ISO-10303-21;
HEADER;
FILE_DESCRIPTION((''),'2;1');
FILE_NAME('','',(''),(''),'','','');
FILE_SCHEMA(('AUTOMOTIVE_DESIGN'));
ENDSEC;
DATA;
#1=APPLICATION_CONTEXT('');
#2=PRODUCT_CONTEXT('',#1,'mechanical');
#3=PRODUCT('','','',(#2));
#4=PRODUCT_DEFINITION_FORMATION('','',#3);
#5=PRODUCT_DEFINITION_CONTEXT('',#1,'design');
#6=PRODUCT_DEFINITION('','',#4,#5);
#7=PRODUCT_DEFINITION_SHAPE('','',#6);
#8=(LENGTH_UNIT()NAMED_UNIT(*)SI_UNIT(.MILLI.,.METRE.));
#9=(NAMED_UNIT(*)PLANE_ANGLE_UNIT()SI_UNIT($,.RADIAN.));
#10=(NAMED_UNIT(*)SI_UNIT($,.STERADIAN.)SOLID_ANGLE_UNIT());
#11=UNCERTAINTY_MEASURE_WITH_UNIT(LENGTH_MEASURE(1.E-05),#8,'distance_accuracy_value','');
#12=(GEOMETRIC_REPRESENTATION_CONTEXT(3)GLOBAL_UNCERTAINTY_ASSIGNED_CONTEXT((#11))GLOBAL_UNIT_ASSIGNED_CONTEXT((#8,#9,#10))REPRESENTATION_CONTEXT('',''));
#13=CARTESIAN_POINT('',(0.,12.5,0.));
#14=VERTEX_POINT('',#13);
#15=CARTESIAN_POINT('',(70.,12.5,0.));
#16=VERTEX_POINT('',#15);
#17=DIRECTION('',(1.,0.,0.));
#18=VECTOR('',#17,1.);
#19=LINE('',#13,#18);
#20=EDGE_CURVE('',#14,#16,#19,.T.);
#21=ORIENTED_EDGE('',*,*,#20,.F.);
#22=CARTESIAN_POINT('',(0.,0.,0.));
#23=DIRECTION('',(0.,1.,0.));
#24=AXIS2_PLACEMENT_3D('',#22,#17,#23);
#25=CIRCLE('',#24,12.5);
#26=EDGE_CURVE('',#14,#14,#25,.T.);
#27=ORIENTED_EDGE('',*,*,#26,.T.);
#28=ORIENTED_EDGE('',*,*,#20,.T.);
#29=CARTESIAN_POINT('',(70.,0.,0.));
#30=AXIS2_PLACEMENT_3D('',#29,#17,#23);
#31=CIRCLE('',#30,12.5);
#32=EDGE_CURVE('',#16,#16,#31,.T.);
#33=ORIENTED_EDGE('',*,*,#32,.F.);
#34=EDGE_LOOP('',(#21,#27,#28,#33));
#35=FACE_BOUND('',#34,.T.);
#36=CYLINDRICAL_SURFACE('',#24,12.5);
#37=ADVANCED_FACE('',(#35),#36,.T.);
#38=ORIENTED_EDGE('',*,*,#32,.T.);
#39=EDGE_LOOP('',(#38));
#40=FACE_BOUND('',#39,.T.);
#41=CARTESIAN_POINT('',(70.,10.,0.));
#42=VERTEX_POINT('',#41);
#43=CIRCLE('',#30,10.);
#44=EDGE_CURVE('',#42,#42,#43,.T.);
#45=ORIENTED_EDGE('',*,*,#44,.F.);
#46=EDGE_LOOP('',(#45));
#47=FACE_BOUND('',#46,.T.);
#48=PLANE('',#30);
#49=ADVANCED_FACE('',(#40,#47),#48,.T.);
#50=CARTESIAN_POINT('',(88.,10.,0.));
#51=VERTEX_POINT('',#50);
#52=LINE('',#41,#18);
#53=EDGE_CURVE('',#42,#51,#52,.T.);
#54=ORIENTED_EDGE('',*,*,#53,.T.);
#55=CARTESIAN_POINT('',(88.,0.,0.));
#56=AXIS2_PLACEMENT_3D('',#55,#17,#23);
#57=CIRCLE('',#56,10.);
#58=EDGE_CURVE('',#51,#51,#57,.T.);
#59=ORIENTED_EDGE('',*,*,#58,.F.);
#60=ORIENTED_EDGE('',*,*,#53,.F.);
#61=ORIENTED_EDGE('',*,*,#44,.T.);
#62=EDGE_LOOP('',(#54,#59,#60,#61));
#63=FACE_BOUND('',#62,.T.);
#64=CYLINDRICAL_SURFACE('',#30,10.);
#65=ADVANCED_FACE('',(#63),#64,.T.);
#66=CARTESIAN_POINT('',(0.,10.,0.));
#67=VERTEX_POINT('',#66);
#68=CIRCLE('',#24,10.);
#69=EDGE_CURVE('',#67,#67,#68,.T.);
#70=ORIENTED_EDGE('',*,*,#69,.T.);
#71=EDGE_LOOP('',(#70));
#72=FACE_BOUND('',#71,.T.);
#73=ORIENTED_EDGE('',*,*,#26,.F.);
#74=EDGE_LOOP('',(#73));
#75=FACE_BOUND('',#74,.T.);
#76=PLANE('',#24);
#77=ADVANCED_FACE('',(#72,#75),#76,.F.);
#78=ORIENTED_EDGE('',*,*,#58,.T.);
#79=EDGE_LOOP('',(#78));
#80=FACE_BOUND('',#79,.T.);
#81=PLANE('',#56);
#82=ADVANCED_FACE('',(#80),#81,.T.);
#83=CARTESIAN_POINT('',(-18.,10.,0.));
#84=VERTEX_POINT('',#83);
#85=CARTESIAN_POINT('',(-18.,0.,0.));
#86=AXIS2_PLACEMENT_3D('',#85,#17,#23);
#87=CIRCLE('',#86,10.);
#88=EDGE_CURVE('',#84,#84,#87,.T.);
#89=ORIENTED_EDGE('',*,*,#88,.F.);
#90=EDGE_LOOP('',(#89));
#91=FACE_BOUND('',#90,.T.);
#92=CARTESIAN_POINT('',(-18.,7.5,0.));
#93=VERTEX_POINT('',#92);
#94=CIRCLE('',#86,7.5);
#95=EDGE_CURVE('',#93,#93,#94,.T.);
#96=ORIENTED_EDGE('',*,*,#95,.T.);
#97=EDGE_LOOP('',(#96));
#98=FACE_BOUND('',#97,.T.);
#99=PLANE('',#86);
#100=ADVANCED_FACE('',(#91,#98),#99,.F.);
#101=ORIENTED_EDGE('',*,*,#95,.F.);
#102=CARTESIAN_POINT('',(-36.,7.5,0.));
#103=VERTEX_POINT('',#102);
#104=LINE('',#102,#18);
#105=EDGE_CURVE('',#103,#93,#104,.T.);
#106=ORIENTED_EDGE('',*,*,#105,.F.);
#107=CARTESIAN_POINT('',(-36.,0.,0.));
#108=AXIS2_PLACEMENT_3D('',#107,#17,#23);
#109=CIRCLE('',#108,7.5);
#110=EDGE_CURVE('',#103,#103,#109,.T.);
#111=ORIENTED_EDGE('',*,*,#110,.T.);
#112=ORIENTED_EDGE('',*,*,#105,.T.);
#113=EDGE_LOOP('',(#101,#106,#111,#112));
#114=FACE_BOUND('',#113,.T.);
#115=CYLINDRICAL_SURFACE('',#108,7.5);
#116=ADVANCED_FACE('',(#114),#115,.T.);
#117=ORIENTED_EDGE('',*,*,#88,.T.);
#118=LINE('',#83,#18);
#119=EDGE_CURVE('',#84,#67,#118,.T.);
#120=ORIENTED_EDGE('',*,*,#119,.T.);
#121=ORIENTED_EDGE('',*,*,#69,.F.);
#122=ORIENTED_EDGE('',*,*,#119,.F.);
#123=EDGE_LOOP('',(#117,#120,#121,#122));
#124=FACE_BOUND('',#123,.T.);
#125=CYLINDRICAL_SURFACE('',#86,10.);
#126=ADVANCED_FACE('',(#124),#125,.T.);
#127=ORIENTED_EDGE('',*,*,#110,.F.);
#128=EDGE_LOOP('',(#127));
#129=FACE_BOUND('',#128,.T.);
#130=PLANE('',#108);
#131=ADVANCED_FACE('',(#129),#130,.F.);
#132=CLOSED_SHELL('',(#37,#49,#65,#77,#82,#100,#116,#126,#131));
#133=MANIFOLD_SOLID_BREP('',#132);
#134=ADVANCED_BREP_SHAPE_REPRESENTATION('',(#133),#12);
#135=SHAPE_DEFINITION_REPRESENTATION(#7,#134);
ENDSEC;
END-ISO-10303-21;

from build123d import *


with BuildPart() as part:
    # Sketch → Revolution (revolve)
    with BuildSketch(Plane.XY):
        Polygon((-36, 0), (-36, 7.5), (-18, 7.5), (-18, 10), (0, 10), (0, 12.5), (70, 12.5), (70, 10), (88, 10), (88, 0), align=None)
    revolve(axis=Axis((0, 0, 0), (1, 0, 0)))


solid = part.part
